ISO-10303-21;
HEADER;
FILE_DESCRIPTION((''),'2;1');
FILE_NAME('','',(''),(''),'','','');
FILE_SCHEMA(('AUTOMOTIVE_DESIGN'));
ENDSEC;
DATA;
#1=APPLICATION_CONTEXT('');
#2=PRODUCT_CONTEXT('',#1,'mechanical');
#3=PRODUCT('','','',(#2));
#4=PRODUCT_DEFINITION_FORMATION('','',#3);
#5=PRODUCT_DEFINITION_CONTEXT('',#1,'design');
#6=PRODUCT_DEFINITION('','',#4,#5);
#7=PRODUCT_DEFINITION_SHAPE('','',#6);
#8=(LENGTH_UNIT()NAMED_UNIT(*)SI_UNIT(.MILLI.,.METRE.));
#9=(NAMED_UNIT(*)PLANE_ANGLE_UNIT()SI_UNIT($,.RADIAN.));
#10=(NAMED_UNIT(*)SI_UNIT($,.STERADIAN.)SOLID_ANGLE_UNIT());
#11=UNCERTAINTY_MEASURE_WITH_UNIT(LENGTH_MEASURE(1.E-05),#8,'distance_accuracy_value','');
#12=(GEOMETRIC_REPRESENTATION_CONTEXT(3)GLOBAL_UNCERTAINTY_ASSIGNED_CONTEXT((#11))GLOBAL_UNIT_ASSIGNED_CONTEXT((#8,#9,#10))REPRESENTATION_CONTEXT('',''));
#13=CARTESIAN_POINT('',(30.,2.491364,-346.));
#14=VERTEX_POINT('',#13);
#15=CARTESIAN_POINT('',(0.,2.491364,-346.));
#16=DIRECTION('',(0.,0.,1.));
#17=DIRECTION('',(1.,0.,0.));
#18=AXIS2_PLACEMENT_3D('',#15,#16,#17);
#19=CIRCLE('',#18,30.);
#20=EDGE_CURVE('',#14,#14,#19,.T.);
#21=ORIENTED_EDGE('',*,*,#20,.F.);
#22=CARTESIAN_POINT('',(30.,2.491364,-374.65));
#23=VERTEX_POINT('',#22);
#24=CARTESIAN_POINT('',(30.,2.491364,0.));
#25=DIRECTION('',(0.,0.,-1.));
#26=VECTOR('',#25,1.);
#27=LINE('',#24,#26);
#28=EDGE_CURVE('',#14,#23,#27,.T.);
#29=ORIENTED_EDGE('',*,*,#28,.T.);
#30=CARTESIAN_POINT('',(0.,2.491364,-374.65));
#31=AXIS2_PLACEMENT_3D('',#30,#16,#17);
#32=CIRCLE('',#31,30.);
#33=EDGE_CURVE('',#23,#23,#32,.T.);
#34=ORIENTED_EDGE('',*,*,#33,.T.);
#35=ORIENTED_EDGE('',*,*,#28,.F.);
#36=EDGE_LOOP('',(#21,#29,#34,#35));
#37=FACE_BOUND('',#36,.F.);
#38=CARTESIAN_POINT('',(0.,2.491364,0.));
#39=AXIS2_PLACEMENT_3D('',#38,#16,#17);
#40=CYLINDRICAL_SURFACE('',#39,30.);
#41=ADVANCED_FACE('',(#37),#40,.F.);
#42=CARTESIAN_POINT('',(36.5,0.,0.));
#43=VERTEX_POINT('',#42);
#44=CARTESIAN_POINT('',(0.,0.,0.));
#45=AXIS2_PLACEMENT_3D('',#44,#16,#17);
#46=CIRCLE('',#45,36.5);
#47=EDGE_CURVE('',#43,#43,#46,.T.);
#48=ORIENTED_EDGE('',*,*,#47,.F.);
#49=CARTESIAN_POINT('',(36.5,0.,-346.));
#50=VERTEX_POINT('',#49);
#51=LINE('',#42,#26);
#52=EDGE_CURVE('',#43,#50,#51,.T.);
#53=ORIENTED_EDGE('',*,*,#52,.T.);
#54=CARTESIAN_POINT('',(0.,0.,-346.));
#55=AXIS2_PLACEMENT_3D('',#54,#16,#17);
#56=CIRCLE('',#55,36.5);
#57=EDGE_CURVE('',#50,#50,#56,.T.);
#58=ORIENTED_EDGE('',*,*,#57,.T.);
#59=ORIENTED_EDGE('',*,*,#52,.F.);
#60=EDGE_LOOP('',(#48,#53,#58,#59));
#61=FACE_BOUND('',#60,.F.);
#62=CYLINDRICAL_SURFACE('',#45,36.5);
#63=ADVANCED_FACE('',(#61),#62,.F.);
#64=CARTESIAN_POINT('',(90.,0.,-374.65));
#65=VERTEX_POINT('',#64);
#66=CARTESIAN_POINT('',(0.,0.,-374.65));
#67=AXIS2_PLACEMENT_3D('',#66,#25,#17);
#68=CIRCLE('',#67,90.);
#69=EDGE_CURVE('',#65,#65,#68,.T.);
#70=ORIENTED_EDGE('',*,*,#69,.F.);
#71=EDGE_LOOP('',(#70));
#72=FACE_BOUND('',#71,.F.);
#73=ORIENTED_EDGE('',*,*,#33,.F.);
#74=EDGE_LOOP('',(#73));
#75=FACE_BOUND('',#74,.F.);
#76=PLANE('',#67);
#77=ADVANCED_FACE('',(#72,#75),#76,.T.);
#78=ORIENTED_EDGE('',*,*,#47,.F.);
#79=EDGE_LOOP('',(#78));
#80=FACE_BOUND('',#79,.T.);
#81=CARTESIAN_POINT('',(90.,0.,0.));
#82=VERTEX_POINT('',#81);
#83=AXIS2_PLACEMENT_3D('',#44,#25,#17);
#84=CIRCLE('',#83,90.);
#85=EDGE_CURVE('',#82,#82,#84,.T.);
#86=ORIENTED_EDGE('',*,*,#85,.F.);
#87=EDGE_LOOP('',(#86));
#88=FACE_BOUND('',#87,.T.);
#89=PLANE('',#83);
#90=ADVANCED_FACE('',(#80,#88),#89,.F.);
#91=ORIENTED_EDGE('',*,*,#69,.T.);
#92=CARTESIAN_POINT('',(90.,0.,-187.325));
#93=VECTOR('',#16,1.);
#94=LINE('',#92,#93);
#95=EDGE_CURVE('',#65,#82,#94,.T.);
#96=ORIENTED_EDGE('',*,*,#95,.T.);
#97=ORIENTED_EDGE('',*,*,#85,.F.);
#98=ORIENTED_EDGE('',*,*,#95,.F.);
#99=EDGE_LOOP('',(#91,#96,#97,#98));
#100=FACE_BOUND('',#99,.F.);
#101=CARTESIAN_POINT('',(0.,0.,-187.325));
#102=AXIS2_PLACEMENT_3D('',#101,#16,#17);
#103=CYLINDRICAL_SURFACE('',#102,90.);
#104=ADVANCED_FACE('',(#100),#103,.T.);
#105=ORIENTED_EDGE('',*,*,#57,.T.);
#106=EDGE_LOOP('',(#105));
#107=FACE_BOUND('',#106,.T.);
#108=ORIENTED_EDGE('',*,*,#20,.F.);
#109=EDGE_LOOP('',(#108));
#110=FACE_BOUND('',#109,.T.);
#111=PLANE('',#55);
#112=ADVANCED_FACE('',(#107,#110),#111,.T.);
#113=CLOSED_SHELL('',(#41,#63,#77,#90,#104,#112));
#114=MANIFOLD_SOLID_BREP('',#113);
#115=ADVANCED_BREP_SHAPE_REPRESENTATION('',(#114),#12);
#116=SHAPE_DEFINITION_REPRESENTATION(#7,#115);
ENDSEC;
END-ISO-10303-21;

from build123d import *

# Parameters (mm, degrees)
F0_W     = 90
F0_H     = 374.65
F2_R     = 30
F3_DEPTH = 374.651
F4_R     = 36.5
F4_R_2   = 30
F5_DEPTH = 346


with BuildPart() as f1:
    # F0 (on Front) → F1 (revolve)
    with BuildSketch(Plane.XZ):
        with Locations((45, -187.325)):
            Rectangle(F0_W, F0_H)
    revolve(axis=Axis((0, 0, -187.325), (0, 0, -1)))

    # F2 (on face) → F3 (cut, through all)
    with BuildSketch(Plane.XY):
        with Locations((0, 2.491364)):
            Circle(F2_R)
    extrude(amount=-F3_DEPTH, mode=Mode.SUBTRACT)

    # F4 (on face) → F5 (cut)
    with BuildSketch(Plane.XY):
        Circle(F4_R)
        with Locations((0, 2.491364)):
            Circle(F4_R_2, mode=Mode.SUBTRACT)
    extrude(amount=-F5_DEPTH, mode=Mode.SUBTRACT)


solid = f1.part
